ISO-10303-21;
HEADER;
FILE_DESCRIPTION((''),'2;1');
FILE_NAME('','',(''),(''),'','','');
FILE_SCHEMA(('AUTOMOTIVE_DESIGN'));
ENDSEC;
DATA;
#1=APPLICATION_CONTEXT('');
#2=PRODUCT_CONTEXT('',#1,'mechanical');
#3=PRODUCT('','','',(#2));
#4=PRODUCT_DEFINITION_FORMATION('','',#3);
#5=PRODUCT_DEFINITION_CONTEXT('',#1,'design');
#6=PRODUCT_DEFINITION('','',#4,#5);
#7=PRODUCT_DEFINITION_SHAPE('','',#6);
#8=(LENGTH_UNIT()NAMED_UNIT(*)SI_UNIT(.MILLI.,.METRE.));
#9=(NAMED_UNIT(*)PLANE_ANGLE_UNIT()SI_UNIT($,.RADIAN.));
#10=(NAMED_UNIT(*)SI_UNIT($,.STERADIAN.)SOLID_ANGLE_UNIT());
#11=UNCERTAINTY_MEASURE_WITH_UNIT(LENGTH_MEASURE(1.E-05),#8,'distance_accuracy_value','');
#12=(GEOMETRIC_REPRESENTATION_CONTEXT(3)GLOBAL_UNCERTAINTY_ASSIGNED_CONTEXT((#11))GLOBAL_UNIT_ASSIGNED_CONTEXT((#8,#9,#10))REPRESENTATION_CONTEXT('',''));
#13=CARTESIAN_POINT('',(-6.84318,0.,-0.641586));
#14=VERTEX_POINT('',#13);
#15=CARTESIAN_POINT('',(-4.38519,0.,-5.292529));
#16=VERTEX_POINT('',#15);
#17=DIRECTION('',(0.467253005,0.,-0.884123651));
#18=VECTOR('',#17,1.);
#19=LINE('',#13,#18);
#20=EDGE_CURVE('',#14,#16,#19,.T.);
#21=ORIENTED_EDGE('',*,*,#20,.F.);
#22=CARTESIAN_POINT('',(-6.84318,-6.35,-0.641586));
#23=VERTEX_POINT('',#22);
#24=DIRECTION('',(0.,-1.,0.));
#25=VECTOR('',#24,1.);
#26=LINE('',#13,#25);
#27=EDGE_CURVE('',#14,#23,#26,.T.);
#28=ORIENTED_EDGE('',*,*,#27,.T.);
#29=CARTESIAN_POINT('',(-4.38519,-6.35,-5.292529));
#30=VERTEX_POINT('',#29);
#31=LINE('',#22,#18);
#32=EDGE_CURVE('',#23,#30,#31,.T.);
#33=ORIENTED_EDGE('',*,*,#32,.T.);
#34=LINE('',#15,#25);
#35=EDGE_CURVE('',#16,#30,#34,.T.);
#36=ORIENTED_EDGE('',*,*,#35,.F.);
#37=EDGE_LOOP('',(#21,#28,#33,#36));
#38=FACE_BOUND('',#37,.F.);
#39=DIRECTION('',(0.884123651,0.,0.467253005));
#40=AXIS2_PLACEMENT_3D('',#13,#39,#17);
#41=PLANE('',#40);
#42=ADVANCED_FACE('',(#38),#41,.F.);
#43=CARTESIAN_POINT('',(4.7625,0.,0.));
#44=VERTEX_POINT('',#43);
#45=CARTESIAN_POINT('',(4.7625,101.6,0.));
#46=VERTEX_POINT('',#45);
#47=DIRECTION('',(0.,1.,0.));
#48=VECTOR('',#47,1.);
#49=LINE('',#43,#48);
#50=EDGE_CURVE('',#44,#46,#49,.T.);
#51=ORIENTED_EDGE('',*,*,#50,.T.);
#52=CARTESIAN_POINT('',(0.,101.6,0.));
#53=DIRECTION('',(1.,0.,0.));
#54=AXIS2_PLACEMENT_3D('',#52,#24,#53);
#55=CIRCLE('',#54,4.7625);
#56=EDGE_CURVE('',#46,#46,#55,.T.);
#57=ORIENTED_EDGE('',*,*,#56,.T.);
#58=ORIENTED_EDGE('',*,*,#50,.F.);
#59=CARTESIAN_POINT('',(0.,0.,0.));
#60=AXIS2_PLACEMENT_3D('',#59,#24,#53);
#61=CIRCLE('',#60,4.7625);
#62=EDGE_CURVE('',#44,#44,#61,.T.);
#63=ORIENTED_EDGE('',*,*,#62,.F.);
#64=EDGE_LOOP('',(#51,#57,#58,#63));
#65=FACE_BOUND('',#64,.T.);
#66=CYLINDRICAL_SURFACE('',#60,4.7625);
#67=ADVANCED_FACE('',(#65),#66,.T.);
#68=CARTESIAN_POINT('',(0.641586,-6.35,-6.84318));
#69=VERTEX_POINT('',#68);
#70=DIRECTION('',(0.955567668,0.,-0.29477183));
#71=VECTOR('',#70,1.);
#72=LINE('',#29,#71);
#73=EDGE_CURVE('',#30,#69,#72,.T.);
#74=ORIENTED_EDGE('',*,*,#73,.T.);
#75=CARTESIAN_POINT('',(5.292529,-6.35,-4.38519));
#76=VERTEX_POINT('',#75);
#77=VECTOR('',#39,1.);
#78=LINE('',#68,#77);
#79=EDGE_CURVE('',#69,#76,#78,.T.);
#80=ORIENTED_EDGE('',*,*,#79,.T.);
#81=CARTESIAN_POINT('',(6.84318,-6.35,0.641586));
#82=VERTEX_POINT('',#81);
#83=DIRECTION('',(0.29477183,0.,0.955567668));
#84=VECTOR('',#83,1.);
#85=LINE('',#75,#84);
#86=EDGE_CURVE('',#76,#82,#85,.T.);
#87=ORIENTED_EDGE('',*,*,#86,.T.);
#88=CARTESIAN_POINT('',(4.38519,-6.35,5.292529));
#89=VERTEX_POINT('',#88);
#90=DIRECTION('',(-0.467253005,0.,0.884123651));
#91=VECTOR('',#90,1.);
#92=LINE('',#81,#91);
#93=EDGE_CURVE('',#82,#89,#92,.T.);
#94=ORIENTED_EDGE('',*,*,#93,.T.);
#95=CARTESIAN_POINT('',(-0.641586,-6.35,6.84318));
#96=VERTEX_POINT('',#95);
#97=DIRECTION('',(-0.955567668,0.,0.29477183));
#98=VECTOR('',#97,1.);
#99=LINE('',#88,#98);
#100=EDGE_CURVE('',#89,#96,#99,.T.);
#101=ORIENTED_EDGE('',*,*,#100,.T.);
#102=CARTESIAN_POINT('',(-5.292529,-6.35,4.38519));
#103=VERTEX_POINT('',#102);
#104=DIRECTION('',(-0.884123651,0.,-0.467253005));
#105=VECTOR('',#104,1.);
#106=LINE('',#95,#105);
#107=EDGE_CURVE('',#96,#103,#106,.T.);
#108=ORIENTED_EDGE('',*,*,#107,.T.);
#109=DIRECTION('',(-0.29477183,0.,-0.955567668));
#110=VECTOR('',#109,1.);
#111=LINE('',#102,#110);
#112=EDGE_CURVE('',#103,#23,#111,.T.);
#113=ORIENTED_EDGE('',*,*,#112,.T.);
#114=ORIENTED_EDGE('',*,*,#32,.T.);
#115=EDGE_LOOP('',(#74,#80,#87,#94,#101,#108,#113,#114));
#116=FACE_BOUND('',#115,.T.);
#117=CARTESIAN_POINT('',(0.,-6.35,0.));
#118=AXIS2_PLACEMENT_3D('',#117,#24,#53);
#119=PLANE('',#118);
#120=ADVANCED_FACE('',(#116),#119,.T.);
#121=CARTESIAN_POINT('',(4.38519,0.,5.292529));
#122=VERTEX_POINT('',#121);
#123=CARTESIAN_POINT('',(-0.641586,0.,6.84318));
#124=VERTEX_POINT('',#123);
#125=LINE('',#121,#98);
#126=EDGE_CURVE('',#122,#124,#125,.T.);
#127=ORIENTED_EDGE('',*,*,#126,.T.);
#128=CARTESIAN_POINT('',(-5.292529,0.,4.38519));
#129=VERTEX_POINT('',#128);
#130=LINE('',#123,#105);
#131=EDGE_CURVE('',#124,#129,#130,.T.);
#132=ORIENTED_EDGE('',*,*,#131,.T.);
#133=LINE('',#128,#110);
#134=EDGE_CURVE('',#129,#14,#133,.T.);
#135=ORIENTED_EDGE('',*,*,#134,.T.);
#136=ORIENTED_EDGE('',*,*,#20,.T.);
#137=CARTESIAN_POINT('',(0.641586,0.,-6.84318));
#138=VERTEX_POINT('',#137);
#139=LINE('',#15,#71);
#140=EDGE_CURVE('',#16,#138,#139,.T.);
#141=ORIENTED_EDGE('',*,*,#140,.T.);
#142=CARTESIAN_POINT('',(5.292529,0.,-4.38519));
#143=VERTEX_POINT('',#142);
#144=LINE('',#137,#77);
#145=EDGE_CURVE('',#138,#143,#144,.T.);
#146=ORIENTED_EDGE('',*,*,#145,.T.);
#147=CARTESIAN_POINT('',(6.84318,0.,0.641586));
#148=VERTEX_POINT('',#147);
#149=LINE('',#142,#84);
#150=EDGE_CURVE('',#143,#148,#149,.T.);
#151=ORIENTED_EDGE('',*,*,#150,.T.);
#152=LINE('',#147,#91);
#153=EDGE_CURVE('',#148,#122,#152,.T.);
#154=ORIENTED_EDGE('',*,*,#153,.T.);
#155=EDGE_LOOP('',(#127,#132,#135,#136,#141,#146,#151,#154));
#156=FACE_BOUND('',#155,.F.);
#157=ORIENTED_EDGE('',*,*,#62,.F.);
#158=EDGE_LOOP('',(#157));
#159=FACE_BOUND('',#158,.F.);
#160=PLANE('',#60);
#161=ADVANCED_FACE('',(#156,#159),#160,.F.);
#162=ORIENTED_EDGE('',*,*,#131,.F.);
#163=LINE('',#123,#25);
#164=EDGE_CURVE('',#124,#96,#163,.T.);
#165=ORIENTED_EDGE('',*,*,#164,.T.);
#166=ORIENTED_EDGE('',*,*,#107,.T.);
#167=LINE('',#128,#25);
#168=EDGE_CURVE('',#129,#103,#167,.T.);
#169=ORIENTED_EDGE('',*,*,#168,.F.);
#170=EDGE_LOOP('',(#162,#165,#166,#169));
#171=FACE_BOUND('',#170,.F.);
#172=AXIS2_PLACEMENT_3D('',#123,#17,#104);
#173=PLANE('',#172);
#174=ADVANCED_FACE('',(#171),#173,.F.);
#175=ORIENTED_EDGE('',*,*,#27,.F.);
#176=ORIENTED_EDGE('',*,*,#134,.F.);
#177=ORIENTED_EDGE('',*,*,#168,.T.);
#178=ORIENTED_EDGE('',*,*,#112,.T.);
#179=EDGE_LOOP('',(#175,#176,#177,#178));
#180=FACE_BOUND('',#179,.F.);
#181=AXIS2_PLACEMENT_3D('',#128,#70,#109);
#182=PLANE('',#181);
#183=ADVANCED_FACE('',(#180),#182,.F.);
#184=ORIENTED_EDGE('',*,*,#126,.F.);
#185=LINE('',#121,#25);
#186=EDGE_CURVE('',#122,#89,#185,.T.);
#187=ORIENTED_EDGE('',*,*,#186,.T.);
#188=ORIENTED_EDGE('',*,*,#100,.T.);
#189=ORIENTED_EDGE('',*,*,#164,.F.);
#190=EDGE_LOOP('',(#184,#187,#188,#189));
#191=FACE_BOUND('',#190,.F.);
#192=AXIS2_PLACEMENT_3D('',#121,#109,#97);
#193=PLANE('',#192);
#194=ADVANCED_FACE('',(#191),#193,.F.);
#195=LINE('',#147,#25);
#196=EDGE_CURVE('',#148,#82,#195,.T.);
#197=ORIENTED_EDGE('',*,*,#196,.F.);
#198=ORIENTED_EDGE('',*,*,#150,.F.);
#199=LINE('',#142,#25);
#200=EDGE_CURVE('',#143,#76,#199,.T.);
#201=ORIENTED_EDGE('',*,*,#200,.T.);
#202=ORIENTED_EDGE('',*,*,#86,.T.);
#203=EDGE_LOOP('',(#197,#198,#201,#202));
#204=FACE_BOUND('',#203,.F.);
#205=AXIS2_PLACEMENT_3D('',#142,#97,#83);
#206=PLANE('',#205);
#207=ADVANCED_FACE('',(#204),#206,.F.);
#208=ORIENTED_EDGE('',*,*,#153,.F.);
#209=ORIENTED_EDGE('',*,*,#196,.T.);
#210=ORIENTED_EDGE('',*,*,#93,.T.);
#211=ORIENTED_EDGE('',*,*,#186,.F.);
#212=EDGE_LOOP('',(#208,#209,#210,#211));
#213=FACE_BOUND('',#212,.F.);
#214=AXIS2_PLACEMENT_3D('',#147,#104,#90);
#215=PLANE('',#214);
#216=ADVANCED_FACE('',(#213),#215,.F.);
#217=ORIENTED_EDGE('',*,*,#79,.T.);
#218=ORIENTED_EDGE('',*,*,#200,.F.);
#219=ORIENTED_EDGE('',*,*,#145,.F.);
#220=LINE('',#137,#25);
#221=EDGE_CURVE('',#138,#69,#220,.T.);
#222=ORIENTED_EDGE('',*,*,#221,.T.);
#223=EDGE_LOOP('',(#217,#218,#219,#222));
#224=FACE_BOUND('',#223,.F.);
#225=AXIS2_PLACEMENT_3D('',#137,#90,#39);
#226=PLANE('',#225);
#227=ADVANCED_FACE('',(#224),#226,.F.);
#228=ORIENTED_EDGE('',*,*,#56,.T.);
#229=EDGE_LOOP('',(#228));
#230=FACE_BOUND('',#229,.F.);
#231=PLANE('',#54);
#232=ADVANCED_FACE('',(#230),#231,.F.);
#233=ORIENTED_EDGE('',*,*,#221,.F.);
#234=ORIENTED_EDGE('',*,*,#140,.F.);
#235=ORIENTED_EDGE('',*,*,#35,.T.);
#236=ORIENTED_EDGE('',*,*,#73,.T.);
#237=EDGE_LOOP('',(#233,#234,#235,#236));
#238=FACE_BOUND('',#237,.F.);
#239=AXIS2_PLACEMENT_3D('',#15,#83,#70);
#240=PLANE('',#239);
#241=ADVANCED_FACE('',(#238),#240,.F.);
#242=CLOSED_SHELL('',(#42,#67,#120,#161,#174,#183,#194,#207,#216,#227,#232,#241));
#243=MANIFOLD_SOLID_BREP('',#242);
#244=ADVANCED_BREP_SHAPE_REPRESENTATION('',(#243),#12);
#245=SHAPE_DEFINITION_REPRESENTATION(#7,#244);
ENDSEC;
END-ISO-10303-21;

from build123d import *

# Parameters (mm, degrees)
F1_R     = 4.7625
F2_DEPTH = 101.6
F3_DEPTH = 6.35


with BuildPart() as f2:
    # F1 (on Front) → F2 (new body)
    with BuildSketch(Plane.XZ):
        Circle(F1_R)
    extrude(amount=-F2_DEPTH)

    # F0 (on Front) → F3 (join)
    with BuildSketch(Plane.XZ):
        Polygon((6.84318, 0.641586), (4.38519, 5.292529), (-0.641586, 6.84318), (-5.292529, 4.38519), (-6.84318, -0.641586), (-4.38519, -5.292529), (0.641586, -6.84318), (5.292529, -4.38519), align=None)
    extrude(amount=F3_DEPTH)


solid = f2.part
